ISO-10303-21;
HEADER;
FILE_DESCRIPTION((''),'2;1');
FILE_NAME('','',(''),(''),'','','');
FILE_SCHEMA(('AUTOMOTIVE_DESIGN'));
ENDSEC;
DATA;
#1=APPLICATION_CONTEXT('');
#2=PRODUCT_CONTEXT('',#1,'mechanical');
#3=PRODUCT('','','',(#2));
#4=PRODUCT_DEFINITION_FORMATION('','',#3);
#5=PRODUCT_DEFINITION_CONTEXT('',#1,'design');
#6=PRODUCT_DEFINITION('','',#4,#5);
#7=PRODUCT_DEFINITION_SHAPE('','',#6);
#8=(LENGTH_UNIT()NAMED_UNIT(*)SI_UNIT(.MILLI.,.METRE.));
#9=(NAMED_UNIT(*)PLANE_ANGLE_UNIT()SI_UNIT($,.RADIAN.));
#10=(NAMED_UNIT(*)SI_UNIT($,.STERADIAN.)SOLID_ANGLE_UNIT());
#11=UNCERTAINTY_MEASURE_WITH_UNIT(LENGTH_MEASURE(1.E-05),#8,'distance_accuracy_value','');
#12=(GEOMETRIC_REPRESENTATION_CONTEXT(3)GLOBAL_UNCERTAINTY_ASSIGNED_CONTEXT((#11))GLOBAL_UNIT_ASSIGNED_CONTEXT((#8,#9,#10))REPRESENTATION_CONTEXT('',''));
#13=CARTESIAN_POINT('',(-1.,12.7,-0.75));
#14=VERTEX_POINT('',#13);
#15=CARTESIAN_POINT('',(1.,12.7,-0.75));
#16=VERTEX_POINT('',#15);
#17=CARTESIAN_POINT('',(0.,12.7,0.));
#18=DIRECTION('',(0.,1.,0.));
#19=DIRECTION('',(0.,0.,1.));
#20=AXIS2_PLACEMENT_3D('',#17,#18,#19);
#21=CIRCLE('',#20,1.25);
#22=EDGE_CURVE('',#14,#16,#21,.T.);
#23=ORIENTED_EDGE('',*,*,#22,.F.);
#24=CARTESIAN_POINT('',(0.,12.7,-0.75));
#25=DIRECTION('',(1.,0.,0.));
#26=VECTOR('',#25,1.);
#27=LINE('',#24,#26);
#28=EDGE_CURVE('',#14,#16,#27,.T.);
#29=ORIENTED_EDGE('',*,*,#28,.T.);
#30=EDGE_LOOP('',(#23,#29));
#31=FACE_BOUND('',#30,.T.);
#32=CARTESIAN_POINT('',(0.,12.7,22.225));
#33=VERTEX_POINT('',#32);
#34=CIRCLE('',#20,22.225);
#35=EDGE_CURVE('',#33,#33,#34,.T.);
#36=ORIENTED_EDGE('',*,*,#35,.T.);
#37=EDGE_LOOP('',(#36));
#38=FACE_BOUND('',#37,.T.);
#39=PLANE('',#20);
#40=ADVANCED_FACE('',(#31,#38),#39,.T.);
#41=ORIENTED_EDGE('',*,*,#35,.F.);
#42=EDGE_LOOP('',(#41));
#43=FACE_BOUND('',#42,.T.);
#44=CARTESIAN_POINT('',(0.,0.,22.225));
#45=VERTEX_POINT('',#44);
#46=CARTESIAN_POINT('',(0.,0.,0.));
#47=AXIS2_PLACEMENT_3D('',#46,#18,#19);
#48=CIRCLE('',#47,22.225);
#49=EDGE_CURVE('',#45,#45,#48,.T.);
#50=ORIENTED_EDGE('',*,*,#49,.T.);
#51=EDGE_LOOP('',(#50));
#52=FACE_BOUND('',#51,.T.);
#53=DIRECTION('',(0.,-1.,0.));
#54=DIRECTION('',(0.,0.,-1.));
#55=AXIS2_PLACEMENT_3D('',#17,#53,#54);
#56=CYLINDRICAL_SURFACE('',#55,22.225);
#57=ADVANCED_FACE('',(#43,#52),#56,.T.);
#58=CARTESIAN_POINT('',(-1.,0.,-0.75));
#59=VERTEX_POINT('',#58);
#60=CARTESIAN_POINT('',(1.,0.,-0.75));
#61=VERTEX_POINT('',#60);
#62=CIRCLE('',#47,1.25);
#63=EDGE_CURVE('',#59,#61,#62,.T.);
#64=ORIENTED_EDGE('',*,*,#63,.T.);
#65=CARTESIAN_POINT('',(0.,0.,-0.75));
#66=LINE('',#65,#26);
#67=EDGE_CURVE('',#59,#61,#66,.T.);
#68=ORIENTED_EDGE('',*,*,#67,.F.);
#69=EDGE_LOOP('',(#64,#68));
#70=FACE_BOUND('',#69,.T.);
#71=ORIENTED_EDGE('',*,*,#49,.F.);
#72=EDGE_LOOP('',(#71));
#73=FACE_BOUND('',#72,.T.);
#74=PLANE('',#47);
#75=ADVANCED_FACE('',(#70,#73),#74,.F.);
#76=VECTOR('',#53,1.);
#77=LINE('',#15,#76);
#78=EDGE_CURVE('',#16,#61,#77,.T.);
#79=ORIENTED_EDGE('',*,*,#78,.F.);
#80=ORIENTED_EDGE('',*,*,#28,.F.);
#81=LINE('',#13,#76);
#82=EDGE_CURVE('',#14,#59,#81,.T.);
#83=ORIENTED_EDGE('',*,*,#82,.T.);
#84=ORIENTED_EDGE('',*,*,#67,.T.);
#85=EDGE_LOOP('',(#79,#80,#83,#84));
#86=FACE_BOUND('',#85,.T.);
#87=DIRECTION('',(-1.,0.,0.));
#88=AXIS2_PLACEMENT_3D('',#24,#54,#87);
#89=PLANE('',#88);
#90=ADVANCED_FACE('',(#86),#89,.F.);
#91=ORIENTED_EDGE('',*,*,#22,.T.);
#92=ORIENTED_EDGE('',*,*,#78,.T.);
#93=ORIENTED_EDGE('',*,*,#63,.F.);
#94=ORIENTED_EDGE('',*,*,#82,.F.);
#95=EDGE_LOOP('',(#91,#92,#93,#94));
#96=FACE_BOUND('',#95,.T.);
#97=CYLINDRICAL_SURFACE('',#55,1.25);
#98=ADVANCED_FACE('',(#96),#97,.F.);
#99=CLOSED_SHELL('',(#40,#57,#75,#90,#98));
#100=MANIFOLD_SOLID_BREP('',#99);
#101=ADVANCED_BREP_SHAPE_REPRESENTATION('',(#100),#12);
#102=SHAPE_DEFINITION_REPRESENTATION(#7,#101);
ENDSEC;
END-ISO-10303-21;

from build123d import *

# Parameters (mm, degrees)
SKETCH1_R           = 22.225
BOSS_EXTRUDE1_DEPTH = 12.7


with BuildPart() as part:
    # Sketch1 → Boss-Extrude1 (new body)
    # profile 1 of 2: a face of its own
    with BuildSketch(Plane(origin=(0, 0, 0), x_dir=(1, 0, 0), z_dir=(0, 1, 0))):
        with Locations(Location((0, 0, 0), (0, 0, 270))):
            Circle(SKETCH1_R)
        with BuildLine():
            ThreePointArc((1.25, 0), (-0.395284708, -1.185854123), (-1, 0.75))
            ThreePointArc((-1, 0.75), (0, 1.25), (1, 0.75))
            ThreePointArc((1, 0.75), (1.185854123, 0.395284708), (1.25, 0))
        make_face(mode=Mode.SUBTRACT)
    # profile 2 of 2: a face of its own
    with BuildSketch(Plane(origin=(0, 0, 0), x_dir=(1, 0, 0), z_dir=(0, 1, 0))):
        with BuildLine():
            ThreePointArc((1, 0.75), (0, 1.25), (-1, 0.75))
            Line((-1, 0.75), (1, 0.75))
        make_face()
    extrude(amount=BOSS_EXTRUDE1_DEPTH)


solid = part.part
